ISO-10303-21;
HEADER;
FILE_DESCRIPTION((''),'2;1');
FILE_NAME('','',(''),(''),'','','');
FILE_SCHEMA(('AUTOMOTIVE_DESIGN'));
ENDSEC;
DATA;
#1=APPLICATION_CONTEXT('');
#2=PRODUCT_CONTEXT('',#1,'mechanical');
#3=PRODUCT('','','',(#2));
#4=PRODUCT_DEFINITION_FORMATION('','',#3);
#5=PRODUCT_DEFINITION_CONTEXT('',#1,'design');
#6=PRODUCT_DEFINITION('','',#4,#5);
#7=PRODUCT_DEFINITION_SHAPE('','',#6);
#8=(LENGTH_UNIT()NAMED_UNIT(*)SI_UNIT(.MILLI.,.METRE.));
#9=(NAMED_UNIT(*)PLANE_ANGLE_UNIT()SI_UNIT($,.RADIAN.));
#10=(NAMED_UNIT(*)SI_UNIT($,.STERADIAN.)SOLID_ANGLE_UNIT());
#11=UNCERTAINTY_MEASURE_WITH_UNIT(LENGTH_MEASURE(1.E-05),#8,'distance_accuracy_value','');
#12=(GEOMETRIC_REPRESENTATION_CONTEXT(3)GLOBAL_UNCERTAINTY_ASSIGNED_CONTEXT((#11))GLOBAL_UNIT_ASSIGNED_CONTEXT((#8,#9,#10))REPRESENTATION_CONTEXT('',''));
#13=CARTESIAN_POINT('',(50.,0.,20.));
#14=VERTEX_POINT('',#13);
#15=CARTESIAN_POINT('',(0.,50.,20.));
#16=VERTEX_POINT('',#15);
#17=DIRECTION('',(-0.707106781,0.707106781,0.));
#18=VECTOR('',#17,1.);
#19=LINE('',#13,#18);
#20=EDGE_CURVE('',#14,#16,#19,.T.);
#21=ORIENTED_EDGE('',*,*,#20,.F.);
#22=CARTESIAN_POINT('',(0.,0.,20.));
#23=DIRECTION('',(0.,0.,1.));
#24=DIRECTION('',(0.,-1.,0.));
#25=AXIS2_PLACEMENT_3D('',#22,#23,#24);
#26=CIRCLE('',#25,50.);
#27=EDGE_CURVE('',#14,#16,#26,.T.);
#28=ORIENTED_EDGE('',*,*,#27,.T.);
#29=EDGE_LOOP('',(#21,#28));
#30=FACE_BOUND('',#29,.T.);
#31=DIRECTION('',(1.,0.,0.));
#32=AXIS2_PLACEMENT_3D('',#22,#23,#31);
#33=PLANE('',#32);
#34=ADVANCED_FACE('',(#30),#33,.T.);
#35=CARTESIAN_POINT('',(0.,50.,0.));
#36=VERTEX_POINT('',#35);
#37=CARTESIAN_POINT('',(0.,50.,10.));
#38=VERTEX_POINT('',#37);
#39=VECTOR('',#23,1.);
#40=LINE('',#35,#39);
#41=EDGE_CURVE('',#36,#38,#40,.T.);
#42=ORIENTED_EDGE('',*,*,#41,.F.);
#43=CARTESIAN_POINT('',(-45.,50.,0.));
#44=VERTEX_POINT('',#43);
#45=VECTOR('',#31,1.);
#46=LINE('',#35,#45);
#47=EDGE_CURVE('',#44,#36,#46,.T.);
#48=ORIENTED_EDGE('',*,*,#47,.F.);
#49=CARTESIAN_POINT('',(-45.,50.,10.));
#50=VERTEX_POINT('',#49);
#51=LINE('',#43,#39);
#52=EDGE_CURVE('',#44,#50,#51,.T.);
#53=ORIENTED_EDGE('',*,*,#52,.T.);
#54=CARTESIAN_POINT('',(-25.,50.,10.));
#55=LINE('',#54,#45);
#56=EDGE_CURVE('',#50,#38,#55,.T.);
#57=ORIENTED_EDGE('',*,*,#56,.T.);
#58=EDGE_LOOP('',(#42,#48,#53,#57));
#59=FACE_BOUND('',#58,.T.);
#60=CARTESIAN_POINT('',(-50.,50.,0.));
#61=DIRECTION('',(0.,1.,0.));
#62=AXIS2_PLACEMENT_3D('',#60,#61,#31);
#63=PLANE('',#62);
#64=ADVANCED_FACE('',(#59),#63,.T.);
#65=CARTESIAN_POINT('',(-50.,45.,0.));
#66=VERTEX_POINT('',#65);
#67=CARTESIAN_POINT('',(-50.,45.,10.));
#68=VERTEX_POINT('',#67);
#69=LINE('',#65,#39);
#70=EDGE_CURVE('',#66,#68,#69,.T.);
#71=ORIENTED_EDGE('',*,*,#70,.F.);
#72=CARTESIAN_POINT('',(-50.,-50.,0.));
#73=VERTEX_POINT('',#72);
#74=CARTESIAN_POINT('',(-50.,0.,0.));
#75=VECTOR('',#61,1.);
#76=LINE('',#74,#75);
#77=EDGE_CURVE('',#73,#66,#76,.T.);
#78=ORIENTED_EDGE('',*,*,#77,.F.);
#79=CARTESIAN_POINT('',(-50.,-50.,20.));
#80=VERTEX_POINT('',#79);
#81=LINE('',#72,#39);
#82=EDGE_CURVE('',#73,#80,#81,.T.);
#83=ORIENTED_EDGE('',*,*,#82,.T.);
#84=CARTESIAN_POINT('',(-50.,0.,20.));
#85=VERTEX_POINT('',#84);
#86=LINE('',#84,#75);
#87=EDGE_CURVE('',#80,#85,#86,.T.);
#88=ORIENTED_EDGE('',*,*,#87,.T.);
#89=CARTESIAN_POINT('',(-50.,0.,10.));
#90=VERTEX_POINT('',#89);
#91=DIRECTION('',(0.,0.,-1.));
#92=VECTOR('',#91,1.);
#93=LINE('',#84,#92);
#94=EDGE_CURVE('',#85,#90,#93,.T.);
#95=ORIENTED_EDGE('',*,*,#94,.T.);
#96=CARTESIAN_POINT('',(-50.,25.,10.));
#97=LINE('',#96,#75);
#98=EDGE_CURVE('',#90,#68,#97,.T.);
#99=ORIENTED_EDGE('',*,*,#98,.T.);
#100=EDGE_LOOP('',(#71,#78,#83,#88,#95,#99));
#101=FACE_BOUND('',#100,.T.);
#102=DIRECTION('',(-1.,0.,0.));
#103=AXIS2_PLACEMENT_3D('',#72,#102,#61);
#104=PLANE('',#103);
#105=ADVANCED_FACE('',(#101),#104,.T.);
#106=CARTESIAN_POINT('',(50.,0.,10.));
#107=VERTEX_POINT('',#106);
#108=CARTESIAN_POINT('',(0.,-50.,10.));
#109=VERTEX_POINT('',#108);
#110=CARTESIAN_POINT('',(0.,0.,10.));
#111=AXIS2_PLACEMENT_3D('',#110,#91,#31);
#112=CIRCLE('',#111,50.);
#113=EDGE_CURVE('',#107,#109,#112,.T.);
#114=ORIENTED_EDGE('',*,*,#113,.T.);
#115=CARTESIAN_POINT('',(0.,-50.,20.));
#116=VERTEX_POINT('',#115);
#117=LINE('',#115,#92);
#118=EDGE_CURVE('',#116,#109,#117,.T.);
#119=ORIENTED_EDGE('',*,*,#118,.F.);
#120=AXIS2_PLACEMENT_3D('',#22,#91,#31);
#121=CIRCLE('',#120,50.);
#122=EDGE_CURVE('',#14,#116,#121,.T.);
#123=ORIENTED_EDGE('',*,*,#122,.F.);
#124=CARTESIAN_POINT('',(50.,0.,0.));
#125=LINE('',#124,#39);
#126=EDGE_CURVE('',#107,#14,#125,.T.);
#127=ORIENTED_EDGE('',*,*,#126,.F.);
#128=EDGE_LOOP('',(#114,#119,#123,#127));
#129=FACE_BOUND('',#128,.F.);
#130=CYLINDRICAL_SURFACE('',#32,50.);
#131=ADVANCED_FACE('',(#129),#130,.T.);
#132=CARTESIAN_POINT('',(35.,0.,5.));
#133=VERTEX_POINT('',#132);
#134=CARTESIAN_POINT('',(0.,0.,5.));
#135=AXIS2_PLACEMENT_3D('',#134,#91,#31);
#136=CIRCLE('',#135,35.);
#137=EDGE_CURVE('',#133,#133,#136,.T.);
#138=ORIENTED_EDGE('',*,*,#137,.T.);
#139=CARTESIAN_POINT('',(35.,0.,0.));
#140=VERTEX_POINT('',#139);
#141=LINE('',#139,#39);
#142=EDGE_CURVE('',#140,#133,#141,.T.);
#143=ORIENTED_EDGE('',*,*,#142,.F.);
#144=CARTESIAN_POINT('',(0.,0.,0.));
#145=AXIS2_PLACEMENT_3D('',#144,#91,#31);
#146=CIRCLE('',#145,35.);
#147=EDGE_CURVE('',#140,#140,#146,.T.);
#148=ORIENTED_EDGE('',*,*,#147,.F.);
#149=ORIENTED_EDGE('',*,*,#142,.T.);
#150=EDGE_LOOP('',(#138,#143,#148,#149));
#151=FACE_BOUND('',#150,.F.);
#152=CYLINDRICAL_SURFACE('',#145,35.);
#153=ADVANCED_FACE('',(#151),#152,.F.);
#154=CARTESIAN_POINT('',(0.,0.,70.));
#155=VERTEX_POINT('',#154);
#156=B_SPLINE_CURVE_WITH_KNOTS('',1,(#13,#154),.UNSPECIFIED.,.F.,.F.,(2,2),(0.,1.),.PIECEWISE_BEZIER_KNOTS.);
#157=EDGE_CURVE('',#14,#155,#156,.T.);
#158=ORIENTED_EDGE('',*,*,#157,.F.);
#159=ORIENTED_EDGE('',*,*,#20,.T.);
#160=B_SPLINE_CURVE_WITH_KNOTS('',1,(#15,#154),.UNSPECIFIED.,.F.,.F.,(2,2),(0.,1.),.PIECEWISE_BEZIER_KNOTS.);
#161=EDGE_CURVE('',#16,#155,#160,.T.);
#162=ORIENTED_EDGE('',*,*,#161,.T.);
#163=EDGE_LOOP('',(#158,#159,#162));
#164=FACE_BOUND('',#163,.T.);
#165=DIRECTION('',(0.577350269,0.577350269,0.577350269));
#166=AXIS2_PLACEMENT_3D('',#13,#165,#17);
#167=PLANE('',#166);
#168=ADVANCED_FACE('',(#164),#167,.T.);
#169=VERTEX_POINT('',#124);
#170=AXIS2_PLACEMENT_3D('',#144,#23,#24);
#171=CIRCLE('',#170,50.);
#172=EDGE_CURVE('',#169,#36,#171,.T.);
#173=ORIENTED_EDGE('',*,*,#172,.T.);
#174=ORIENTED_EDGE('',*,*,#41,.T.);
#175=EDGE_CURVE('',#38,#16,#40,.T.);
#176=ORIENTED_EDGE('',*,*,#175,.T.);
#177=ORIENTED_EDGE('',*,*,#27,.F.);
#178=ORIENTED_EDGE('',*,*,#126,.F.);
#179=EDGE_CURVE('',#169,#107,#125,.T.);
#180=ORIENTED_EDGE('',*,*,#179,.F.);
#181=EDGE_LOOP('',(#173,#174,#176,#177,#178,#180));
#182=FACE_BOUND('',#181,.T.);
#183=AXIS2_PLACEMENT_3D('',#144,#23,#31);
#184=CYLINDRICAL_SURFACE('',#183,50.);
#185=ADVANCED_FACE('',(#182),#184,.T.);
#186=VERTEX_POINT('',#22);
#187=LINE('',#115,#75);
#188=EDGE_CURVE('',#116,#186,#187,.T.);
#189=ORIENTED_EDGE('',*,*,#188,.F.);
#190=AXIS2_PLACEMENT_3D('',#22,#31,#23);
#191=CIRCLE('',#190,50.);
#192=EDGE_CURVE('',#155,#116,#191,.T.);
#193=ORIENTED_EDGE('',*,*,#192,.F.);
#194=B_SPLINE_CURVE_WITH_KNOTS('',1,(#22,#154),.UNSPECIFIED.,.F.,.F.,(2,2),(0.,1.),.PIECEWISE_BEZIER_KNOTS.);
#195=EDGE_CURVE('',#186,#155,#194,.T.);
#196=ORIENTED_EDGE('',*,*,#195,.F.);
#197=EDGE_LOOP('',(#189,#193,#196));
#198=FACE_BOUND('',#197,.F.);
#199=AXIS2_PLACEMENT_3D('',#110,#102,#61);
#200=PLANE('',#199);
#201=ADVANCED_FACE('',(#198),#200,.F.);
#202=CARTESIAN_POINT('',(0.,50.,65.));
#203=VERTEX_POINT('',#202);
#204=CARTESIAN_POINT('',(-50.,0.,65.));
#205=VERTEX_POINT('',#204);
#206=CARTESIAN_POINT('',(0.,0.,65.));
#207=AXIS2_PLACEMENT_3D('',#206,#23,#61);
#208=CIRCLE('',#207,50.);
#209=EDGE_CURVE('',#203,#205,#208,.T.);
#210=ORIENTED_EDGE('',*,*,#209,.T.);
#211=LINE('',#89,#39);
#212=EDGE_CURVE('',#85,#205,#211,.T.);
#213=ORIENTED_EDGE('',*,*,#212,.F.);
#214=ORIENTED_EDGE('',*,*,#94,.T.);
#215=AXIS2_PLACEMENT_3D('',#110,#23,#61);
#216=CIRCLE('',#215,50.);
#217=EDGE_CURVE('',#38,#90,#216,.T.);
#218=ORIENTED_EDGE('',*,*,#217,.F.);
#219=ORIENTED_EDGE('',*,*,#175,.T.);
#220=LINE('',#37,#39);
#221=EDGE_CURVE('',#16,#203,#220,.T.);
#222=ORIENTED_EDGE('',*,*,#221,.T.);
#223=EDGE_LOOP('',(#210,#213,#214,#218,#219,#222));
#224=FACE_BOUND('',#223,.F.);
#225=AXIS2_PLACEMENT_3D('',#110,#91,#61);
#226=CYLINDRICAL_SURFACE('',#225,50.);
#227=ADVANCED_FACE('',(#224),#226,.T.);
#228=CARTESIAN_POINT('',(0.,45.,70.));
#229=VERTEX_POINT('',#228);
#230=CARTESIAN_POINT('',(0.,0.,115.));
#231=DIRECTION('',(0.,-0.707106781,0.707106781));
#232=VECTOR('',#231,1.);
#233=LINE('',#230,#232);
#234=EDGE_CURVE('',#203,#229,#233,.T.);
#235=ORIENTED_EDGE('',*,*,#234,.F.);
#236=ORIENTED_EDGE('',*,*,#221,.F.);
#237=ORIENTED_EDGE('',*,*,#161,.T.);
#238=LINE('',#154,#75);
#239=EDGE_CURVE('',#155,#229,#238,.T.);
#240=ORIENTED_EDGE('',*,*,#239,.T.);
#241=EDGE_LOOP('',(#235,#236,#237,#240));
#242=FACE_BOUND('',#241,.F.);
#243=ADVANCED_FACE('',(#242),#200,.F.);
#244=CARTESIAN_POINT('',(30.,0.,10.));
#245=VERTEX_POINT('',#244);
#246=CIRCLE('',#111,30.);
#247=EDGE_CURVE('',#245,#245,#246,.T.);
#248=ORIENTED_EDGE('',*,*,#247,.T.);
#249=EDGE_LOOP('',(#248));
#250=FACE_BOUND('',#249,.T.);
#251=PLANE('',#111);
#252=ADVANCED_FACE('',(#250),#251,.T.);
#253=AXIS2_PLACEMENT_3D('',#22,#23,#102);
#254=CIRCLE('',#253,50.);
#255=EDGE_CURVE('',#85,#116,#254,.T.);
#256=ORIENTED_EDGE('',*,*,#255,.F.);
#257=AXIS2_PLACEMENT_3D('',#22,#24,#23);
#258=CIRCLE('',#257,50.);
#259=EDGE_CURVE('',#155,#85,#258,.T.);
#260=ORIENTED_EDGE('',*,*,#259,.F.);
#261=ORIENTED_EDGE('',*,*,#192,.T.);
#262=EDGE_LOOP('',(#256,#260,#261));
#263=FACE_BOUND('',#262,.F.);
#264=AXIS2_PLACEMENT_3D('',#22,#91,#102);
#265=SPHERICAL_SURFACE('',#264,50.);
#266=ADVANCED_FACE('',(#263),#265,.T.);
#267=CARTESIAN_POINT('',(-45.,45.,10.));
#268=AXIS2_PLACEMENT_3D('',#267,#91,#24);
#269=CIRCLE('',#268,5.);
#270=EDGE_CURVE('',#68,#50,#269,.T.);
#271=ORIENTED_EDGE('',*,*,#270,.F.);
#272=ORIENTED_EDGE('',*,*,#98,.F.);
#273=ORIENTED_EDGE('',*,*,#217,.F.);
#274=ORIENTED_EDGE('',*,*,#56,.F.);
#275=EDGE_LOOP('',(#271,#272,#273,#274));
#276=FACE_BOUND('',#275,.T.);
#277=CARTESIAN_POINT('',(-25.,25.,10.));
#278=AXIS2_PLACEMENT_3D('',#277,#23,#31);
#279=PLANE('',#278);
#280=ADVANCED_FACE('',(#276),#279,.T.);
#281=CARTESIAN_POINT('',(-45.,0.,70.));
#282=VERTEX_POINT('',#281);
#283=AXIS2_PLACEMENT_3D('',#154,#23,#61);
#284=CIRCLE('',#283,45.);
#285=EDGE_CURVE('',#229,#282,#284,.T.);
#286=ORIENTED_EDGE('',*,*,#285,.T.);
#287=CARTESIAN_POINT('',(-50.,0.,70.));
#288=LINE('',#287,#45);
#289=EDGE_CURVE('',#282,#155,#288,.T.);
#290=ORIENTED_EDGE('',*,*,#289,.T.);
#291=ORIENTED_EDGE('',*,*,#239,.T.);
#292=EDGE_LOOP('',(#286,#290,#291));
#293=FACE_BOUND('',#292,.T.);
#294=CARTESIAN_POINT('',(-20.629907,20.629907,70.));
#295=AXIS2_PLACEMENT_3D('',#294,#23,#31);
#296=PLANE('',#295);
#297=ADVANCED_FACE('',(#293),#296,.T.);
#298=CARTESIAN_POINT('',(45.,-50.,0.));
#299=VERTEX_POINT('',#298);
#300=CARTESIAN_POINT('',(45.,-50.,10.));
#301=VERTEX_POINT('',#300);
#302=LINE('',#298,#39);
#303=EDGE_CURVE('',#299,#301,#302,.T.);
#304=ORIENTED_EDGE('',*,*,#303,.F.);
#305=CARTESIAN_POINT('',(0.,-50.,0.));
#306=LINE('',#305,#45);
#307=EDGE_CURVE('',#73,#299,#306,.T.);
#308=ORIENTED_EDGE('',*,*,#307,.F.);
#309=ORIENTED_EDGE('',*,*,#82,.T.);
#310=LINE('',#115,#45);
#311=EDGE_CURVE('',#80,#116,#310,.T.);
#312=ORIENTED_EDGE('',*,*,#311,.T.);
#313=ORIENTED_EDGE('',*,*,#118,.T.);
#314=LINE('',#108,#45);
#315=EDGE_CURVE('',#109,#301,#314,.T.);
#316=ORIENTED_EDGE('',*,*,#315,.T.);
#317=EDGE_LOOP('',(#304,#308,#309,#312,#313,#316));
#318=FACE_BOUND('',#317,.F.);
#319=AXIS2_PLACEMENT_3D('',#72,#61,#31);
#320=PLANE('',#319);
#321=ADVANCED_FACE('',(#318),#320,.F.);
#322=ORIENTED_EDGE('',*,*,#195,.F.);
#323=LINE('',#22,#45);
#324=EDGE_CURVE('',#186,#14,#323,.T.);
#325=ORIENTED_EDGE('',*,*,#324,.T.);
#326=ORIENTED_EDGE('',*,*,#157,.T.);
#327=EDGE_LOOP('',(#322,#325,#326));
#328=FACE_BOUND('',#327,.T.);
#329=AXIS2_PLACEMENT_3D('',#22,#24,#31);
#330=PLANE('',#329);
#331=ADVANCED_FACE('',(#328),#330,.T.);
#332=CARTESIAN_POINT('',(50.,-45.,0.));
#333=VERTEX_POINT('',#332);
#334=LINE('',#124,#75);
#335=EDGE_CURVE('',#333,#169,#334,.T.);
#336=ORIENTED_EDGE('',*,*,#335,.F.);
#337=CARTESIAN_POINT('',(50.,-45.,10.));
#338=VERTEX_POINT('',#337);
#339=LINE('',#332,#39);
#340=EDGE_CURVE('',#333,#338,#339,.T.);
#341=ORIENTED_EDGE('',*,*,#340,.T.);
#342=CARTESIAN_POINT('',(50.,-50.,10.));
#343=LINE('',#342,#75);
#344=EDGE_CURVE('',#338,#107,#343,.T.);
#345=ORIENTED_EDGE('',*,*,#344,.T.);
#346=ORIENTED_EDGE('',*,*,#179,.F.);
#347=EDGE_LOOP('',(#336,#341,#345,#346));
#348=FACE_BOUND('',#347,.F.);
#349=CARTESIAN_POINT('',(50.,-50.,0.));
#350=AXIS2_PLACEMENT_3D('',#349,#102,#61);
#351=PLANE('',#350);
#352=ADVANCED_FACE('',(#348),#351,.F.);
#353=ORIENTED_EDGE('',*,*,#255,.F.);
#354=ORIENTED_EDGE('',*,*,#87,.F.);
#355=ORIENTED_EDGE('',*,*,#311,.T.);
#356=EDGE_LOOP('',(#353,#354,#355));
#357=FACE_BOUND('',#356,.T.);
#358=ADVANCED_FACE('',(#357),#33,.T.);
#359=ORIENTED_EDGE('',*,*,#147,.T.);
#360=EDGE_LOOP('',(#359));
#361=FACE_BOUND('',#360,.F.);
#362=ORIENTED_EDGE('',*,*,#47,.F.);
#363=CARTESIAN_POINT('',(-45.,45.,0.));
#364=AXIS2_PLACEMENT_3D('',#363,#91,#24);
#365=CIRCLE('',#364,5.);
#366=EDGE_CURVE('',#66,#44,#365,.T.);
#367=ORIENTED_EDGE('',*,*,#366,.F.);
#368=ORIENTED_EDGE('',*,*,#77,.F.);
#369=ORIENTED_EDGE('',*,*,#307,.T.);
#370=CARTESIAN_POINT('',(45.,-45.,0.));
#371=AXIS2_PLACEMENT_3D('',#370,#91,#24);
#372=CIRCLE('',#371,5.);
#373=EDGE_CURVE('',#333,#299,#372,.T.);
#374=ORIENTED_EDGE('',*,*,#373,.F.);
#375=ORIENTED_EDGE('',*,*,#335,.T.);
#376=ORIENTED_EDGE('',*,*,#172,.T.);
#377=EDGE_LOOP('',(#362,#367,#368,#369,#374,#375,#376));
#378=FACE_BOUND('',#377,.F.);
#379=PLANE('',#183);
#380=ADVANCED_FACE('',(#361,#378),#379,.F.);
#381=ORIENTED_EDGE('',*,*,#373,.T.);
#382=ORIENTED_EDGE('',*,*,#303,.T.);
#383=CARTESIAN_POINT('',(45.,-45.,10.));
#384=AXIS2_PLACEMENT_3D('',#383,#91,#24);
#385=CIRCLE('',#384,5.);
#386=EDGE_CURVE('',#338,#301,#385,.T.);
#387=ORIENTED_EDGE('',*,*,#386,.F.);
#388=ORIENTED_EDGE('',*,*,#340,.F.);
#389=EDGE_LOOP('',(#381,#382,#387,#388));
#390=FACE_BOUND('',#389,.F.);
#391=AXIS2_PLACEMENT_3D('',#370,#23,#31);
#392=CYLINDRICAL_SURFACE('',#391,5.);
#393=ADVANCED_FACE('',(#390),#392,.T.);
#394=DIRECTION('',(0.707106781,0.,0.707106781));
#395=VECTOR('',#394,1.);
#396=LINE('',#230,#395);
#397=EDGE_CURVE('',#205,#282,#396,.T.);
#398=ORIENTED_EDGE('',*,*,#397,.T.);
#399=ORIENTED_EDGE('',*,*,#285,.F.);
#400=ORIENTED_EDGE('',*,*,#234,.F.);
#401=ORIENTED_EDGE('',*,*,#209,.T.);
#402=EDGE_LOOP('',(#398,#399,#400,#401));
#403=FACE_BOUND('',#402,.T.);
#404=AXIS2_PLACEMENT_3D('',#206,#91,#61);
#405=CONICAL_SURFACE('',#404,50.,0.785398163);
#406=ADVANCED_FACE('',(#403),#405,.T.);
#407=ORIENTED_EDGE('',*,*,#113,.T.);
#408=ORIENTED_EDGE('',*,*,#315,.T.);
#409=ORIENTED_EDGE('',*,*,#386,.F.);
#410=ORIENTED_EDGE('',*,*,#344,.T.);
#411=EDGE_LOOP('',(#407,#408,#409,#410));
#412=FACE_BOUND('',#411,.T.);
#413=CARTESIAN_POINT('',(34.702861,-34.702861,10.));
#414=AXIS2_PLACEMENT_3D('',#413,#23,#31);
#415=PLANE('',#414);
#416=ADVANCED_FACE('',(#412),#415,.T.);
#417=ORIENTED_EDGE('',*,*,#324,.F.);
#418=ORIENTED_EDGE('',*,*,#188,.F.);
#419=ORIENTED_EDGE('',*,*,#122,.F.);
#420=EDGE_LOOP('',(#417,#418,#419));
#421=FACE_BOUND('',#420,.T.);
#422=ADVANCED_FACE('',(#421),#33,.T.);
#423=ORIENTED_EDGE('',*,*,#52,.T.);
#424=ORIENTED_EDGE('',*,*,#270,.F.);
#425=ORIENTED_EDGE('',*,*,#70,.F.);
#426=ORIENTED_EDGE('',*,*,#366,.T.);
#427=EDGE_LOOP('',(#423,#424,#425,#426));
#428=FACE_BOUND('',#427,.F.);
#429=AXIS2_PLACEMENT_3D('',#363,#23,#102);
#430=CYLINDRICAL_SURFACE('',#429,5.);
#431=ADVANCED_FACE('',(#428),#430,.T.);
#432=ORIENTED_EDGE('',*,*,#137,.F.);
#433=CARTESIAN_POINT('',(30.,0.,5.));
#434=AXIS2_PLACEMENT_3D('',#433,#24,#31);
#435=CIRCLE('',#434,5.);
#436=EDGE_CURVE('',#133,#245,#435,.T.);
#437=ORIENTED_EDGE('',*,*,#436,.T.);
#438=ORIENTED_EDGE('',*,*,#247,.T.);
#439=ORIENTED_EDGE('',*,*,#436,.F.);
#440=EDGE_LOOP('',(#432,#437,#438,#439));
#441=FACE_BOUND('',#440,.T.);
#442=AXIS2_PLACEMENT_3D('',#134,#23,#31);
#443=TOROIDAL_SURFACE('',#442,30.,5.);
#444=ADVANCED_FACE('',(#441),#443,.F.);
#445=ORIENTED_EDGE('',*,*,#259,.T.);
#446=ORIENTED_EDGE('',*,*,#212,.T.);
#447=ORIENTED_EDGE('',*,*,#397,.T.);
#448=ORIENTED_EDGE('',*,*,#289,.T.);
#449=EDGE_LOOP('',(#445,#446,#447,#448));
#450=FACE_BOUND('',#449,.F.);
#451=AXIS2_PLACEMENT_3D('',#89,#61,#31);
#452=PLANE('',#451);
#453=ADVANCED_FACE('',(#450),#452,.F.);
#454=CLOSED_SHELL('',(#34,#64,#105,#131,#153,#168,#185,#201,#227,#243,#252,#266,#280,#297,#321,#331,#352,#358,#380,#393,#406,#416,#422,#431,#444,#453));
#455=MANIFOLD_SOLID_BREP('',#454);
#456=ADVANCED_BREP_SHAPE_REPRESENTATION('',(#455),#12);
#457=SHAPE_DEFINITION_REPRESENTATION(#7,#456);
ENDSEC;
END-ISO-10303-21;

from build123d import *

# Parameters (mm, degrees)
F0_W      = 100
F0_H      = 100
F1_DEPTH  = 20
F2_R      = 50
F4_DEPTH  = 10
F6_ANGLE  = 90
F7_W      = 50
F7_H      = 50
F8_DEPTH  = 10
F10_DEPTH = 60
F11_SIZE  = 5
F12_R     = 5
F16_R     = 35
F17_DEPTH = 10
F18_R     = 5


with BuildPart() as f1:
    # F0 (on Top) → F1 (new body)
    with BuildSketch(Plane.XY):
        Rectangle(F0_W, F0_H)
    extrude(amount=F1_DEPTH)

    # F2
    f2_edges = [f1.edges().sort_by_distance(p)[0] for p in [
        (50, 50, 10),
    ]]
    fillet(f2_edges, radius=F2_R)

    # F3 (on face) → F4 (cut)
    with BuildSketch(Plane.XY.offset(20)):
        with BuildLine():
            ThreePointArc((50, 0), (35.3553390593, -35.3553390593), (0, -50))
            Line((0, -50), (50, -50))
            Line((50, -50), (50, 0))
        make_face()
    extrude(amount=-F4_DEPTH, mode=Mode.SUBTRACT)

    # F5 (on Front) → F6 (revolve)
    with BuildSketch(Plane.XZ):
        with BuildLine():
            ThreePointArc((0, 70), (-35.3553390593, 55.3553390593), (-50, 20))
            Line((-50, 20), (0, 20))
            Line((0, 20), (0, 70))
        make_face()
    revolve(axis=Axis((0, 0, 45), (0, 0, 1)), revolution_arc=F6_ANGLE)

    # F7 (on face) → F8 (cut)
    with BuildSketch(Plane.XY.offset(20)):
        with Locations((-25, 25)):
            Rectangle(F7_W, F7_H)
    extrude(amount=-F8_DEPTH, mode=Mode.SUBTRACT)

    # F9 (on face) → F10 (join)
    with BuildSketch(Plane.XY.offset(10)):
        with BuildLine():
            ThreePointArc((0, 50), (-35.3553390593, 35.3553390593), (-50, 0))
            Line((-50, 0), (0, 0))
            Line((0, 0), (0, 50))
        make_face()
    extrude(amount=F10_DEPTH)

    # F11
    f11_edges = [f1.edges().sort_by_distance(p)[0] for p in [
        (-35.355339, 35.355339, 70),
    ]]
    chamfer(f11_edges, length=F11_SIZE)

    # F12
    f12_edges = [f1.edges().sort_by_distance(p)[0] for p in [
        (-50, 50, 5),
        (50, -50, 5),
    ]]
    fillet(f12_edges, radius=F12_R)

    # F13 (on face) → F15 section 0
    with BuildSketch(Plane.XY.offset(20), mode=Mode.PRIVATE) as f15_s0:
        Polygon((50, 0), (0, 50), (0, 0), align=None)
    loft([f15_s0.sketch, Vertex(0, 0, 70)])

    # F16 (on face) → F17 (cut)
    with BuildSketch(Plane(origin=(0, 0, 0), x_dir=(1, 0, 0), z_dir=(0, 0, -1))):
        Circle(F16_R)
    extrude(amount=-F17_DEPTH, mode=Mode.SUBTRACT)

    # F18
    f18_edges = [f1.edges().sort_by_distance(p)[0] for p in [
        (-35, 0, 10),
    ]]
    fillet(f18_edges, radius=F18_R)


solid = f1.part
